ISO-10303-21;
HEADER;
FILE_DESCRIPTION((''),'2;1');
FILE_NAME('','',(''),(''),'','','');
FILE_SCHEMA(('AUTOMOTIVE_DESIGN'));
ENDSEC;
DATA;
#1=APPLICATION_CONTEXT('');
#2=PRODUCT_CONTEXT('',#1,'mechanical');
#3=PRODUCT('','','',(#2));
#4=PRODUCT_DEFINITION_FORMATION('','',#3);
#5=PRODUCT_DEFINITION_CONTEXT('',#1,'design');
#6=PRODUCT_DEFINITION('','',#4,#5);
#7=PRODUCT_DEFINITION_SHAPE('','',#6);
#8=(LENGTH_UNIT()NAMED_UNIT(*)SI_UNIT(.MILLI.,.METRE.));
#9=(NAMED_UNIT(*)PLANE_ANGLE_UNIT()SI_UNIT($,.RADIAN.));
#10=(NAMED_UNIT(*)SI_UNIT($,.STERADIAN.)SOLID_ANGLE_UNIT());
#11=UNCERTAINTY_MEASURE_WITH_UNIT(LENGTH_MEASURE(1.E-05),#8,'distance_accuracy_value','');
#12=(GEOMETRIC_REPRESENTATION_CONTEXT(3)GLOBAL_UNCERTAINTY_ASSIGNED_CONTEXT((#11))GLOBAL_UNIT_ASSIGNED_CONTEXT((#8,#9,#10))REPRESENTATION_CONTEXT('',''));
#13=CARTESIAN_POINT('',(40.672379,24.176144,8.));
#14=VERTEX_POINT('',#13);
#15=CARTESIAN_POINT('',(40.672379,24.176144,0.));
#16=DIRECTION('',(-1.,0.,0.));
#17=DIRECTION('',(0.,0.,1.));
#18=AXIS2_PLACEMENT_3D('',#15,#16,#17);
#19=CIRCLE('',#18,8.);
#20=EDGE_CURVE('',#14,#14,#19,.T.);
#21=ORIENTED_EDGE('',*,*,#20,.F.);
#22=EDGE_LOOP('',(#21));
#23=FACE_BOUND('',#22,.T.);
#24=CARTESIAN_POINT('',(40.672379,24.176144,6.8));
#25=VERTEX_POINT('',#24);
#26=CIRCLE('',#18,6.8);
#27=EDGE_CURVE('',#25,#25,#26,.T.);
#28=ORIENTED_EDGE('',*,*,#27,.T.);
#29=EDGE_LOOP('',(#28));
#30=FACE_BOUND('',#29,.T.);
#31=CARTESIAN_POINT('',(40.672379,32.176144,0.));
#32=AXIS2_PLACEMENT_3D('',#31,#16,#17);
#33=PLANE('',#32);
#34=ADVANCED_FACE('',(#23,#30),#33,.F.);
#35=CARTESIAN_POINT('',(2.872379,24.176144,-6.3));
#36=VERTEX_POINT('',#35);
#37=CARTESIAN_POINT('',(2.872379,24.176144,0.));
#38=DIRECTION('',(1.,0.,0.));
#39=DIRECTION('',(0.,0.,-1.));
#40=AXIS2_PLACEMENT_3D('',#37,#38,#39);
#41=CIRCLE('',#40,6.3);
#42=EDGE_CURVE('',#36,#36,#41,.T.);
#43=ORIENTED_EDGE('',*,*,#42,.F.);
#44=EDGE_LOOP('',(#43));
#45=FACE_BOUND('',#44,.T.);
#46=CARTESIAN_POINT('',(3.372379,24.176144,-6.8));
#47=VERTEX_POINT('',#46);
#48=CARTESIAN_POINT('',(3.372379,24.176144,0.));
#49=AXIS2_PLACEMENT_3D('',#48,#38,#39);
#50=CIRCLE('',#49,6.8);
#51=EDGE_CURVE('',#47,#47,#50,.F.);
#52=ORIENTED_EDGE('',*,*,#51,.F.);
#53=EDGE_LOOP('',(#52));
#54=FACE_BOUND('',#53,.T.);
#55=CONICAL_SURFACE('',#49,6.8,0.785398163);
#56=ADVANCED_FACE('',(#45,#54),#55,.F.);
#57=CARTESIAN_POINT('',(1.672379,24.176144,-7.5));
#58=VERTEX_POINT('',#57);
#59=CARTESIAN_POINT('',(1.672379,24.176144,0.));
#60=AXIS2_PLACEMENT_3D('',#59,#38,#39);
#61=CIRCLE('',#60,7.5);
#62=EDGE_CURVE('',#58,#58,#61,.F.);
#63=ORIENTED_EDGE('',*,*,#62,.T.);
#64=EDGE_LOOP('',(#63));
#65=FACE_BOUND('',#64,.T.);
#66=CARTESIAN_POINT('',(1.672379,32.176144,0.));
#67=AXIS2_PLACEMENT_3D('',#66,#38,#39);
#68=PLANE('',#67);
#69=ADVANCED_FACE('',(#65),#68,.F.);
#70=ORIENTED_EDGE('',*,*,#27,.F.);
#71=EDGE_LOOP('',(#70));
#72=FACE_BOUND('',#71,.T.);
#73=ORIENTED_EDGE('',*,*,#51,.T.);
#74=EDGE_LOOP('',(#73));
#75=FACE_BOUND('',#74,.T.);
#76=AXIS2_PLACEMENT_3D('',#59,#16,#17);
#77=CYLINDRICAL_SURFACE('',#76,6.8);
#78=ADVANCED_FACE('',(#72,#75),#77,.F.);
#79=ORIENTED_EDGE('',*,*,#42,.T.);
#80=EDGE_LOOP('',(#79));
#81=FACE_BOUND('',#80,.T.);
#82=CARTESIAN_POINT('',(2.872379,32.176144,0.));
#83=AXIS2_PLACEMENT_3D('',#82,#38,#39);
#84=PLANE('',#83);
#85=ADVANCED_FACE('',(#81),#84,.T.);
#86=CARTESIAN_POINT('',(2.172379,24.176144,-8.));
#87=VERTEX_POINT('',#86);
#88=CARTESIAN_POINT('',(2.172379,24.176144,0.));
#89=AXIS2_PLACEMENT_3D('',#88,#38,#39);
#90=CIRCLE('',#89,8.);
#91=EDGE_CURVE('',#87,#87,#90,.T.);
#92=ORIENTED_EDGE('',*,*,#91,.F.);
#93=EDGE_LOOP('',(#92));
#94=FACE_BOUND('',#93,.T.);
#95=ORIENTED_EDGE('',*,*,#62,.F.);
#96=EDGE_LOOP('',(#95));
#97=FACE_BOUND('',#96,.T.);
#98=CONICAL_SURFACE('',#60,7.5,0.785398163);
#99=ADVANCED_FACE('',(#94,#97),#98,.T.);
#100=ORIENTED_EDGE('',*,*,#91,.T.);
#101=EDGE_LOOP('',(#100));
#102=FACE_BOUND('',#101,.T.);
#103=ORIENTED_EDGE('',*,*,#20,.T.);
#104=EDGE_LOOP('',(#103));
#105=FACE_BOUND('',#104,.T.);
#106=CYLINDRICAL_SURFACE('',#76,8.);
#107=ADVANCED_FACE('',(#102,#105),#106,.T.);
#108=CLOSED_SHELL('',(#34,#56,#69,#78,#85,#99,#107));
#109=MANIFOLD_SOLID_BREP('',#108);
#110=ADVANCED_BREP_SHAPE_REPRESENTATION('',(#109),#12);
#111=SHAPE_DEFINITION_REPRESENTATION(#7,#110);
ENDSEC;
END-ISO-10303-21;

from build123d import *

# Parameters (mm, degrees)
SKETCH_2_W     = 39
SKETCH_2_H     = 8
SHELL_4_T      = -1.2
CHAMFER_2_SIZE = 0.5


with BuildPart() as part:
    # 草图2 → 旋转2 (revolve)
    with BuildSketch(Plane(origin=(0, 17.555203641, 0), x_dir=(1, 0, 0), z_dir=(0, 0, 1)), mode=Mode.PRIVATE) as revolve_2_sk:
        with Locations((21.172378693, 10.620939958)):
            Rectangle(SKETCH_2_W, SKETCH_2_H)
    revolve(revolve_2_sk.sketch.rotate(Axis((1.672378693, 24.176143599, 0), (1, 0, 0)), 90), axis=Axis((1.672378693, 24.176143599, 0), (1, 0, 0)))

    # 抽壳4
    shell_4_openings = [part.faces().sort_by_distance(p)[0] for p in [
        (40.672378693, 24.176143599, 0),
    ]]
    offset(amount=SHELL_4_T, openings=shell_4_openings, kind=Kind.INTERSECTION)

    # 倒角2
    chamfer_2_edges = [part.edges().sort_by_distance(p)[0] for p in [
        (2.872378693, 24.176143599, -6.8),
        (1.672378693, 24.176143599, -8),
    ]]
    chamfer(chamfer_2_edges, length=CHAMFER_2_SIZE)


solid = part.part
